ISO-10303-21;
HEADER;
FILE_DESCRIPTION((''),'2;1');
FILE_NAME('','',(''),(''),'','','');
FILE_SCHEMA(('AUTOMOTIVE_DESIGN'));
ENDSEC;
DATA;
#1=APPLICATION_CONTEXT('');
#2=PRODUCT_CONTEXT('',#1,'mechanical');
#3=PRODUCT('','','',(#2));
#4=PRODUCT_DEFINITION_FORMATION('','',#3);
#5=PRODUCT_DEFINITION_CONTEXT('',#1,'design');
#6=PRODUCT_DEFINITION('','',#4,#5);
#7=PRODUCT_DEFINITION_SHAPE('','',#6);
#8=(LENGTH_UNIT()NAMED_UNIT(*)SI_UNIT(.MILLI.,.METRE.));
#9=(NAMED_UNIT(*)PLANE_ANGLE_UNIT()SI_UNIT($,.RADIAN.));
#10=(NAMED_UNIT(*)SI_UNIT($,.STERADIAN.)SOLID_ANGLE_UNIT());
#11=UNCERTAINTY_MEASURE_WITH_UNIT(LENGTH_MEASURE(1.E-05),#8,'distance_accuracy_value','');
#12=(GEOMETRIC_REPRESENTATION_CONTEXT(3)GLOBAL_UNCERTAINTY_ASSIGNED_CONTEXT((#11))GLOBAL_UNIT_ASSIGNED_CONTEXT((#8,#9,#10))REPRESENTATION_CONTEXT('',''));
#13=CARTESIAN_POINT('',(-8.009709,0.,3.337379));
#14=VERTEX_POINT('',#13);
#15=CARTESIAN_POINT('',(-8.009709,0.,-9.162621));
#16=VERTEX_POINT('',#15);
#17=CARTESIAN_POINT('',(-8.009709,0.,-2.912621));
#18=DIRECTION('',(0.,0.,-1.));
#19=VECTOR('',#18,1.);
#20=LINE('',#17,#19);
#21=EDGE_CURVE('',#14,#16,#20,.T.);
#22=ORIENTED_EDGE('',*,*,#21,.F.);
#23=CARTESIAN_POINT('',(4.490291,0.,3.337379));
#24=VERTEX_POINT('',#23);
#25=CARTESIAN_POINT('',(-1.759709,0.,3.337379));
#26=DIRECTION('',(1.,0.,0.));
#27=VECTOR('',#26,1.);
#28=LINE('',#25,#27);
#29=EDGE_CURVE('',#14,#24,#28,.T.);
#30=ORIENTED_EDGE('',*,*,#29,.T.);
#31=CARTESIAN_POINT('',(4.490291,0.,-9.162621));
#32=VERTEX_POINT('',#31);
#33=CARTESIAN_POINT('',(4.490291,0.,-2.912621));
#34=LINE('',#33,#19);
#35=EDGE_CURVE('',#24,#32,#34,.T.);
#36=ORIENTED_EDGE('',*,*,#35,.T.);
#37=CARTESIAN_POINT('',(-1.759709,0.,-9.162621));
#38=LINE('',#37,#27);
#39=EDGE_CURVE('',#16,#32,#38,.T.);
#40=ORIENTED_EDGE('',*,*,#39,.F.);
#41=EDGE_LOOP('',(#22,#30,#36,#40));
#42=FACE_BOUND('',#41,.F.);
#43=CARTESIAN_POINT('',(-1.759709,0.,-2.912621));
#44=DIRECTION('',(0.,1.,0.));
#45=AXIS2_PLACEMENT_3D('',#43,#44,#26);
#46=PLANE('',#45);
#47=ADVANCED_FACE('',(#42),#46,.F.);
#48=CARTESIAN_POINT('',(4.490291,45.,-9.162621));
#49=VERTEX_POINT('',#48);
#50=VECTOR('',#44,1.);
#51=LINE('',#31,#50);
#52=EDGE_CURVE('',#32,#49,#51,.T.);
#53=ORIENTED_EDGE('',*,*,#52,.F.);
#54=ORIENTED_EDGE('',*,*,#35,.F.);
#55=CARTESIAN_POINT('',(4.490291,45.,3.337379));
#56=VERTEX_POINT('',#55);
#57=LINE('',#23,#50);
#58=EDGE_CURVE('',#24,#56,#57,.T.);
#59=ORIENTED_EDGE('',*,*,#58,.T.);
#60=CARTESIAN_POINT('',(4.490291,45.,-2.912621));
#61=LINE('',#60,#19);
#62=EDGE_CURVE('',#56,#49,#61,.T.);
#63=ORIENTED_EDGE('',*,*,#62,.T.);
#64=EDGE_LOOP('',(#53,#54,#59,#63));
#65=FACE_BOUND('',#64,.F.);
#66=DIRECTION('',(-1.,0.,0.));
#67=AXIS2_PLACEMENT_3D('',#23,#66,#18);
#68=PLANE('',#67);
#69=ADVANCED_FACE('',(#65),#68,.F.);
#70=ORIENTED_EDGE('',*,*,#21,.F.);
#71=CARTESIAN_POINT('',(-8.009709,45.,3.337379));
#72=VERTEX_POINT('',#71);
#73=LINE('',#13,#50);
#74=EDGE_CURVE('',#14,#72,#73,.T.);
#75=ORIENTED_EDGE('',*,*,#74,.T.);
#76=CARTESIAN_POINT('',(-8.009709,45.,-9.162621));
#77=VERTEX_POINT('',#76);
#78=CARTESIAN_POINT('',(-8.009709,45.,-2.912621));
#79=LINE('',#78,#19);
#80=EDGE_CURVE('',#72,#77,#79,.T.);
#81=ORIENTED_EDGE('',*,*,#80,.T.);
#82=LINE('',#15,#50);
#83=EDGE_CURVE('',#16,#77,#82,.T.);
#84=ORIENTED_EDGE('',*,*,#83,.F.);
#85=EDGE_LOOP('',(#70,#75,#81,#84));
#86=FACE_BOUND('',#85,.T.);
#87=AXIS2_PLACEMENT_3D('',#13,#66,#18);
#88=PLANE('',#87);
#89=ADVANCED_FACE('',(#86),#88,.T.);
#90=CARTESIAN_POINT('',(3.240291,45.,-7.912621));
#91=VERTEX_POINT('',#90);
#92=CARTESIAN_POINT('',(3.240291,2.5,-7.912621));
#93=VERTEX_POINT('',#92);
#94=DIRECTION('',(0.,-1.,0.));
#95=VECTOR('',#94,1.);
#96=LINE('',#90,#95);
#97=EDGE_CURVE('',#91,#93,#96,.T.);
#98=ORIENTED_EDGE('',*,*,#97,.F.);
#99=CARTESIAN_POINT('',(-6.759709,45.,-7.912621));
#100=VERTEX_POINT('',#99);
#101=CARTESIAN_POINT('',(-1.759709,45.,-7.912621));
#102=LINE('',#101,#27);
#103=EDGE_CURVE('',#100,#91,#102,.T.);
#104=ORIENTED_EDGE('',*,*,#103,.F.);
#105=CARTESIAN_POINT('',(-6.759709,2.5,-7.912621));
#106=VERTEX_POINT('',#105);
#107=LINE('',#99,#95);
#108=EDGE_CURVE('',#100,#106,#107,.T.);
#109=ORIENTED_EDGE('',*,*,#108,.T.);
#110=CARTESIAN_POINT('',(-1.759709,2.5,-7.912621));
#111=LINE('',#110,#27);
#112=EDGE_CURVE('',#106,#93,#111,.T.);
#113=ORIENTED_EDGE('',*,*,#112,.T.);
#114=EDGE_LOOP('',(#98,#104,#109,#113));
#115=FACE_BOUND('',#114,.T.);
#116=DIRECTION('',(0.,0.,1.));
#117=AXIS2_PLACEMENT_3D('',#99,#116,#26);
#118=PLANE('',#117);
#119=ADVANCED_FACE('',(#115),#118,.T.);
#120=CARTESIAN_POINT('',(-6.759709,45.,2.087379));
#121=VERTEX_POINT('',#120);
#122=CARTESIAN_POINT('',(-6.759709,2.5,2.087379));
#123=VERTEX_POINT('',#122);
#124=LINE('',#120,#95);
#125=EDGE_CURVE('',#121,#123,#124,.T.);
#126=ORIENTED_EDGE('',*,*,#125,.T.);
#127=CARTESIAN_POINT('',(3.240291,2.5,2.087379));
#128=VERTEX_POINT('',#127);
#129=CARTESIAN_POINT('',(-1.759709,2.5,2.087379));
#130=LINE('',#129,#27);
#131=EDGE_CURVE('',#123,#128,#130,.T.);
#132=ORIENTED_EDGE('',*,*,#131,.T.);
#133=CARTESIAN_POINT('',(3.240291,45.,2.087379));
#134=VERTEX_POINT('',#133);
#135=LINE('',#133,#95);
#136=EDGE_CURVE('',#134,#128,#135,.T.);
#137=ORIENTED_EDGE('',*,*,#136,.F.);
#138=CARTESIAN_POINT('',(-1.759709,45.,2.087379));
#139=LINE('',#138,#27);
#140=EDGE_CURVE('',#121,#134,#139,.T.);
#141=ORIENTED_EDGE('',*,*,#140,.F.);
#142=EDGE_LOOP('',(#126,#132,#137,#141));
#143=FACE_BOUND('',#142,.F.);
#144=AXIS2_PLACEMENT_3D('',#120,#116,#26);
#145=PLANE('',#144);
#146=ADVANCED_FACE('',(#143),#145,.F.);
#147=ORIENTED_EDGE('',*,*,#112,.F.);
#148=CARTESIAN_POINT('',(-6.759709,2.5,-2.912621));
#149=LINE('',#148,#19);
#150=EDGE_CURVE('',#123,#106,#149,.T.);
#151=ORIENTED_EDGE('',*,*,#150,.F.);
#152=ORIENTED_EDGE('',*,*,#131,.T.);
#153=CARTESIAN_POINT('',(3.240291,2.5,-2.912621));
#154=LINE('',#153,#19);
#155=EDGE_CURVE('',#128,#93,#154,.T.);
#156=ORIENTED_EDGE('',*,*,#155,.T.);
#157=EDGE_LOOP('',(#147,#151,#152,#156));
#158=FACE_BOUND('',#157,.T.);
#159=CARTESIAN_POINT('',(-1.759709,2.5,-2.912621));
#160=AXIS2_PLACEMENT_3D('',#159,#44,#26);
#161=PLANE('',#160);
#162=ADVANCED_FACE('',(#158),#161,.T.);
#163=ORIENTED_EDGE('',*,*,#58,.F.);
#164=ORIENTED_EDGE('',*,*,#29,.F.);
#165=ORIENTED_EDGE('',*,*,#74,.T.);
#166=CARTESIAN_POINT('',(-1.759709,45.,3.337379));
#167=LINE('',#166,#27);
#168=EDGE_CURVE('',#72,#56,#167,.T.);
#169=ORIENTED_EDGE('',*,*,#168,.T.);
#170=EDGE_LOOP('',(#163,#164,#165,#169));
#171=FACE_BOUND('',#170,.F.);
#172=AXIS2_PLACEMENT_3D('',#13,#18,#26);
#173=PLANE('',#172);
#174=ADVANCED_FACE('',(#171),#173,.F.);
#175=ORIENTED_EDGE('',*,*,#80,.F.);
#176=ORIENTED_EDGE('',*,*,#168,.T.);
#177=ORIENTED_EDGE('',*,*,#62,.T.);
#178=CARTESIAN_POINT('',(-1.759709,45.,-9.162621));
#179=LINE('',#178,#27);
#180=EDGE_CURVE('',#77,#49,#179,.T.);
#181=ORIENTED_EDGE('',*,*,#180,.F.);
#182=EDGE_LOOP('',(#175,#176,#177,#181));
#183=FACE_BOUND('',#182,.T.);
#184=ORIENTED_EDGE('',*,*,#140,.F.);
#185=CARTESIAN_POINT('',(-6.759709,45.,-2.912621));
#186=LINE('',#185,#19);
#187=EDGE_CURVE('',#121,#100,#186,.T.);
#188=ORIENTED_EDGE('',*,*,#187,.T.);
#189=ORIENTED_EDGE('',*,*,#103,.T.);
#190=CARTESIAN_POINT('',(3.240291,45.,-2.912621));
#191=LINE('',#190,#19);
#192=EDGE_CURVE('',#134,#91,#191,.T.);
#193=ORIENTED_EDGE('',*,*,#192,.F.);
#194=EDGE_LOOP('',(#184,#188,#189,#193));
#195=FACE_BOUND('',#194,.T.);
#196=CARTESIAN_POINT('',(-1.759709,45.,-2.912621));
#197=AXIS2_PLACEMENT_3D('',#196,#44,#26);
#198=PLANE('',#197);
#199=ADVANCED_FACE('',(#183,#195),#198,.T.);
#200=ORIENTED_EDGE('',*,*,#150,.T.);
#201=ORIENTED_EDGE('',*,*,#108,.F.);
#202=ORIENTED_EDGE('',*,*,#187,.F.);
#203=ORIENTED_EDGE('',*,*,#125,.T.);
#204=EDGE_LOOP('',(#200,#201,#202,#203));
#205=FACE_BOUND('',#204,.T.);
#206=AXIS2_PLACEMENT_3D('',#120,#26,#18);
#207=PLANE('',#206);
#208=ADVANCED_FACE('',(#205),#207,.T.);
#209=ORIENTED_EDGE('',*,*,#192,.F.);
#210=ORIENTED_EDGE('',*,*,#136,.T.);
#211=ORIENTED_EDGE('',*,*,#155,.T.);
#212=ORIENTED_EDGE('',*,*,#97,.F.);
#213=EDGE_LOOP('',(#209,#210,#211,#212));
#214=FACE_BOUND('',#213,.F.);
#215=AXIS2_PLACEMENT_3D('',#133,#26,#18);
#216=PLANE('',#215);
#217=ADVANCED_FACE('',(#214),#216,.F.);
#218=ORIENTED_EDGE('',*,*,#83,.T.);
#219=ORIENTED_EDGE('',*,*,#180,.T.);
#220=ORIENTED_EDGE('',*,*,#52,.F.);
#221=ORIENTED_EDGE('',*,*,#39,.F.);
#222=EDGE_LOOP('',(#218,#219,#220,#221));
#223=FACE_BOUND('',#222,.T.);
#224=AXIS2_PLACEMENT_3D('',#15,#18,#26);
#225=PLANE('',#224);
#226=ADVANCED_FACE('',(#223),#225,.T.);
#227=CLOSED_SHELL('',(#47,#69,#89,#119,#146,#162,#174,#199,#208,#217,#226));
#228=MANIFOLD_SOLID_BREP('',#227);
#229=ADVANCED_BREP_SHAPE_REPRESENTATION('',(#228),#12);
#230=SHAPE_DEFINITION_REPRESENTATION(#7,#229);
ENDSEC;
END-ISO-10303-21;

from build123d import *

# Parameters (mm, degrees)
SKETCH1_W           = 12.5
SKETCH1_H           = 12.5
BOSS_EXTRUDE1_DEPTH = 45
SKETCH2_W           = 10
SKETCH2_H           = 10
CUT_EXTRUDE1_DEPTH  = 42.5


with BuildPart() as part:
    # Sketch1 → Boss-Extrude1 (new body)
    with BuildSketch(Plane(origin=(0, 0, 0), x_dir=(1, 0, 0), z_dir=(0, 1, 0))):
        with Locations((-1.759708738, 2.912621359)):
            Rectangle(SKETCH1_W, SKETCH1_H)
    extrude(amount=BOSS_EXTRUDE1_DEPTH)

    # Sketch2 → Cut-Extrude1 (cut)
    with BuildSketch(Plane(origin=(0, 45, 0), x_dir=(1, 0, 0), z_dir=(0, 1, 0))):
        with Locations((-1.759708738, 2.912621359)):
            Rectangle(SKETCH2_W, SKETCH2_H)
    extrude(amount=-CUT_EXTRUDE1_DEPTH, mode=Mode.SUBTRACT)


solid = part.part
